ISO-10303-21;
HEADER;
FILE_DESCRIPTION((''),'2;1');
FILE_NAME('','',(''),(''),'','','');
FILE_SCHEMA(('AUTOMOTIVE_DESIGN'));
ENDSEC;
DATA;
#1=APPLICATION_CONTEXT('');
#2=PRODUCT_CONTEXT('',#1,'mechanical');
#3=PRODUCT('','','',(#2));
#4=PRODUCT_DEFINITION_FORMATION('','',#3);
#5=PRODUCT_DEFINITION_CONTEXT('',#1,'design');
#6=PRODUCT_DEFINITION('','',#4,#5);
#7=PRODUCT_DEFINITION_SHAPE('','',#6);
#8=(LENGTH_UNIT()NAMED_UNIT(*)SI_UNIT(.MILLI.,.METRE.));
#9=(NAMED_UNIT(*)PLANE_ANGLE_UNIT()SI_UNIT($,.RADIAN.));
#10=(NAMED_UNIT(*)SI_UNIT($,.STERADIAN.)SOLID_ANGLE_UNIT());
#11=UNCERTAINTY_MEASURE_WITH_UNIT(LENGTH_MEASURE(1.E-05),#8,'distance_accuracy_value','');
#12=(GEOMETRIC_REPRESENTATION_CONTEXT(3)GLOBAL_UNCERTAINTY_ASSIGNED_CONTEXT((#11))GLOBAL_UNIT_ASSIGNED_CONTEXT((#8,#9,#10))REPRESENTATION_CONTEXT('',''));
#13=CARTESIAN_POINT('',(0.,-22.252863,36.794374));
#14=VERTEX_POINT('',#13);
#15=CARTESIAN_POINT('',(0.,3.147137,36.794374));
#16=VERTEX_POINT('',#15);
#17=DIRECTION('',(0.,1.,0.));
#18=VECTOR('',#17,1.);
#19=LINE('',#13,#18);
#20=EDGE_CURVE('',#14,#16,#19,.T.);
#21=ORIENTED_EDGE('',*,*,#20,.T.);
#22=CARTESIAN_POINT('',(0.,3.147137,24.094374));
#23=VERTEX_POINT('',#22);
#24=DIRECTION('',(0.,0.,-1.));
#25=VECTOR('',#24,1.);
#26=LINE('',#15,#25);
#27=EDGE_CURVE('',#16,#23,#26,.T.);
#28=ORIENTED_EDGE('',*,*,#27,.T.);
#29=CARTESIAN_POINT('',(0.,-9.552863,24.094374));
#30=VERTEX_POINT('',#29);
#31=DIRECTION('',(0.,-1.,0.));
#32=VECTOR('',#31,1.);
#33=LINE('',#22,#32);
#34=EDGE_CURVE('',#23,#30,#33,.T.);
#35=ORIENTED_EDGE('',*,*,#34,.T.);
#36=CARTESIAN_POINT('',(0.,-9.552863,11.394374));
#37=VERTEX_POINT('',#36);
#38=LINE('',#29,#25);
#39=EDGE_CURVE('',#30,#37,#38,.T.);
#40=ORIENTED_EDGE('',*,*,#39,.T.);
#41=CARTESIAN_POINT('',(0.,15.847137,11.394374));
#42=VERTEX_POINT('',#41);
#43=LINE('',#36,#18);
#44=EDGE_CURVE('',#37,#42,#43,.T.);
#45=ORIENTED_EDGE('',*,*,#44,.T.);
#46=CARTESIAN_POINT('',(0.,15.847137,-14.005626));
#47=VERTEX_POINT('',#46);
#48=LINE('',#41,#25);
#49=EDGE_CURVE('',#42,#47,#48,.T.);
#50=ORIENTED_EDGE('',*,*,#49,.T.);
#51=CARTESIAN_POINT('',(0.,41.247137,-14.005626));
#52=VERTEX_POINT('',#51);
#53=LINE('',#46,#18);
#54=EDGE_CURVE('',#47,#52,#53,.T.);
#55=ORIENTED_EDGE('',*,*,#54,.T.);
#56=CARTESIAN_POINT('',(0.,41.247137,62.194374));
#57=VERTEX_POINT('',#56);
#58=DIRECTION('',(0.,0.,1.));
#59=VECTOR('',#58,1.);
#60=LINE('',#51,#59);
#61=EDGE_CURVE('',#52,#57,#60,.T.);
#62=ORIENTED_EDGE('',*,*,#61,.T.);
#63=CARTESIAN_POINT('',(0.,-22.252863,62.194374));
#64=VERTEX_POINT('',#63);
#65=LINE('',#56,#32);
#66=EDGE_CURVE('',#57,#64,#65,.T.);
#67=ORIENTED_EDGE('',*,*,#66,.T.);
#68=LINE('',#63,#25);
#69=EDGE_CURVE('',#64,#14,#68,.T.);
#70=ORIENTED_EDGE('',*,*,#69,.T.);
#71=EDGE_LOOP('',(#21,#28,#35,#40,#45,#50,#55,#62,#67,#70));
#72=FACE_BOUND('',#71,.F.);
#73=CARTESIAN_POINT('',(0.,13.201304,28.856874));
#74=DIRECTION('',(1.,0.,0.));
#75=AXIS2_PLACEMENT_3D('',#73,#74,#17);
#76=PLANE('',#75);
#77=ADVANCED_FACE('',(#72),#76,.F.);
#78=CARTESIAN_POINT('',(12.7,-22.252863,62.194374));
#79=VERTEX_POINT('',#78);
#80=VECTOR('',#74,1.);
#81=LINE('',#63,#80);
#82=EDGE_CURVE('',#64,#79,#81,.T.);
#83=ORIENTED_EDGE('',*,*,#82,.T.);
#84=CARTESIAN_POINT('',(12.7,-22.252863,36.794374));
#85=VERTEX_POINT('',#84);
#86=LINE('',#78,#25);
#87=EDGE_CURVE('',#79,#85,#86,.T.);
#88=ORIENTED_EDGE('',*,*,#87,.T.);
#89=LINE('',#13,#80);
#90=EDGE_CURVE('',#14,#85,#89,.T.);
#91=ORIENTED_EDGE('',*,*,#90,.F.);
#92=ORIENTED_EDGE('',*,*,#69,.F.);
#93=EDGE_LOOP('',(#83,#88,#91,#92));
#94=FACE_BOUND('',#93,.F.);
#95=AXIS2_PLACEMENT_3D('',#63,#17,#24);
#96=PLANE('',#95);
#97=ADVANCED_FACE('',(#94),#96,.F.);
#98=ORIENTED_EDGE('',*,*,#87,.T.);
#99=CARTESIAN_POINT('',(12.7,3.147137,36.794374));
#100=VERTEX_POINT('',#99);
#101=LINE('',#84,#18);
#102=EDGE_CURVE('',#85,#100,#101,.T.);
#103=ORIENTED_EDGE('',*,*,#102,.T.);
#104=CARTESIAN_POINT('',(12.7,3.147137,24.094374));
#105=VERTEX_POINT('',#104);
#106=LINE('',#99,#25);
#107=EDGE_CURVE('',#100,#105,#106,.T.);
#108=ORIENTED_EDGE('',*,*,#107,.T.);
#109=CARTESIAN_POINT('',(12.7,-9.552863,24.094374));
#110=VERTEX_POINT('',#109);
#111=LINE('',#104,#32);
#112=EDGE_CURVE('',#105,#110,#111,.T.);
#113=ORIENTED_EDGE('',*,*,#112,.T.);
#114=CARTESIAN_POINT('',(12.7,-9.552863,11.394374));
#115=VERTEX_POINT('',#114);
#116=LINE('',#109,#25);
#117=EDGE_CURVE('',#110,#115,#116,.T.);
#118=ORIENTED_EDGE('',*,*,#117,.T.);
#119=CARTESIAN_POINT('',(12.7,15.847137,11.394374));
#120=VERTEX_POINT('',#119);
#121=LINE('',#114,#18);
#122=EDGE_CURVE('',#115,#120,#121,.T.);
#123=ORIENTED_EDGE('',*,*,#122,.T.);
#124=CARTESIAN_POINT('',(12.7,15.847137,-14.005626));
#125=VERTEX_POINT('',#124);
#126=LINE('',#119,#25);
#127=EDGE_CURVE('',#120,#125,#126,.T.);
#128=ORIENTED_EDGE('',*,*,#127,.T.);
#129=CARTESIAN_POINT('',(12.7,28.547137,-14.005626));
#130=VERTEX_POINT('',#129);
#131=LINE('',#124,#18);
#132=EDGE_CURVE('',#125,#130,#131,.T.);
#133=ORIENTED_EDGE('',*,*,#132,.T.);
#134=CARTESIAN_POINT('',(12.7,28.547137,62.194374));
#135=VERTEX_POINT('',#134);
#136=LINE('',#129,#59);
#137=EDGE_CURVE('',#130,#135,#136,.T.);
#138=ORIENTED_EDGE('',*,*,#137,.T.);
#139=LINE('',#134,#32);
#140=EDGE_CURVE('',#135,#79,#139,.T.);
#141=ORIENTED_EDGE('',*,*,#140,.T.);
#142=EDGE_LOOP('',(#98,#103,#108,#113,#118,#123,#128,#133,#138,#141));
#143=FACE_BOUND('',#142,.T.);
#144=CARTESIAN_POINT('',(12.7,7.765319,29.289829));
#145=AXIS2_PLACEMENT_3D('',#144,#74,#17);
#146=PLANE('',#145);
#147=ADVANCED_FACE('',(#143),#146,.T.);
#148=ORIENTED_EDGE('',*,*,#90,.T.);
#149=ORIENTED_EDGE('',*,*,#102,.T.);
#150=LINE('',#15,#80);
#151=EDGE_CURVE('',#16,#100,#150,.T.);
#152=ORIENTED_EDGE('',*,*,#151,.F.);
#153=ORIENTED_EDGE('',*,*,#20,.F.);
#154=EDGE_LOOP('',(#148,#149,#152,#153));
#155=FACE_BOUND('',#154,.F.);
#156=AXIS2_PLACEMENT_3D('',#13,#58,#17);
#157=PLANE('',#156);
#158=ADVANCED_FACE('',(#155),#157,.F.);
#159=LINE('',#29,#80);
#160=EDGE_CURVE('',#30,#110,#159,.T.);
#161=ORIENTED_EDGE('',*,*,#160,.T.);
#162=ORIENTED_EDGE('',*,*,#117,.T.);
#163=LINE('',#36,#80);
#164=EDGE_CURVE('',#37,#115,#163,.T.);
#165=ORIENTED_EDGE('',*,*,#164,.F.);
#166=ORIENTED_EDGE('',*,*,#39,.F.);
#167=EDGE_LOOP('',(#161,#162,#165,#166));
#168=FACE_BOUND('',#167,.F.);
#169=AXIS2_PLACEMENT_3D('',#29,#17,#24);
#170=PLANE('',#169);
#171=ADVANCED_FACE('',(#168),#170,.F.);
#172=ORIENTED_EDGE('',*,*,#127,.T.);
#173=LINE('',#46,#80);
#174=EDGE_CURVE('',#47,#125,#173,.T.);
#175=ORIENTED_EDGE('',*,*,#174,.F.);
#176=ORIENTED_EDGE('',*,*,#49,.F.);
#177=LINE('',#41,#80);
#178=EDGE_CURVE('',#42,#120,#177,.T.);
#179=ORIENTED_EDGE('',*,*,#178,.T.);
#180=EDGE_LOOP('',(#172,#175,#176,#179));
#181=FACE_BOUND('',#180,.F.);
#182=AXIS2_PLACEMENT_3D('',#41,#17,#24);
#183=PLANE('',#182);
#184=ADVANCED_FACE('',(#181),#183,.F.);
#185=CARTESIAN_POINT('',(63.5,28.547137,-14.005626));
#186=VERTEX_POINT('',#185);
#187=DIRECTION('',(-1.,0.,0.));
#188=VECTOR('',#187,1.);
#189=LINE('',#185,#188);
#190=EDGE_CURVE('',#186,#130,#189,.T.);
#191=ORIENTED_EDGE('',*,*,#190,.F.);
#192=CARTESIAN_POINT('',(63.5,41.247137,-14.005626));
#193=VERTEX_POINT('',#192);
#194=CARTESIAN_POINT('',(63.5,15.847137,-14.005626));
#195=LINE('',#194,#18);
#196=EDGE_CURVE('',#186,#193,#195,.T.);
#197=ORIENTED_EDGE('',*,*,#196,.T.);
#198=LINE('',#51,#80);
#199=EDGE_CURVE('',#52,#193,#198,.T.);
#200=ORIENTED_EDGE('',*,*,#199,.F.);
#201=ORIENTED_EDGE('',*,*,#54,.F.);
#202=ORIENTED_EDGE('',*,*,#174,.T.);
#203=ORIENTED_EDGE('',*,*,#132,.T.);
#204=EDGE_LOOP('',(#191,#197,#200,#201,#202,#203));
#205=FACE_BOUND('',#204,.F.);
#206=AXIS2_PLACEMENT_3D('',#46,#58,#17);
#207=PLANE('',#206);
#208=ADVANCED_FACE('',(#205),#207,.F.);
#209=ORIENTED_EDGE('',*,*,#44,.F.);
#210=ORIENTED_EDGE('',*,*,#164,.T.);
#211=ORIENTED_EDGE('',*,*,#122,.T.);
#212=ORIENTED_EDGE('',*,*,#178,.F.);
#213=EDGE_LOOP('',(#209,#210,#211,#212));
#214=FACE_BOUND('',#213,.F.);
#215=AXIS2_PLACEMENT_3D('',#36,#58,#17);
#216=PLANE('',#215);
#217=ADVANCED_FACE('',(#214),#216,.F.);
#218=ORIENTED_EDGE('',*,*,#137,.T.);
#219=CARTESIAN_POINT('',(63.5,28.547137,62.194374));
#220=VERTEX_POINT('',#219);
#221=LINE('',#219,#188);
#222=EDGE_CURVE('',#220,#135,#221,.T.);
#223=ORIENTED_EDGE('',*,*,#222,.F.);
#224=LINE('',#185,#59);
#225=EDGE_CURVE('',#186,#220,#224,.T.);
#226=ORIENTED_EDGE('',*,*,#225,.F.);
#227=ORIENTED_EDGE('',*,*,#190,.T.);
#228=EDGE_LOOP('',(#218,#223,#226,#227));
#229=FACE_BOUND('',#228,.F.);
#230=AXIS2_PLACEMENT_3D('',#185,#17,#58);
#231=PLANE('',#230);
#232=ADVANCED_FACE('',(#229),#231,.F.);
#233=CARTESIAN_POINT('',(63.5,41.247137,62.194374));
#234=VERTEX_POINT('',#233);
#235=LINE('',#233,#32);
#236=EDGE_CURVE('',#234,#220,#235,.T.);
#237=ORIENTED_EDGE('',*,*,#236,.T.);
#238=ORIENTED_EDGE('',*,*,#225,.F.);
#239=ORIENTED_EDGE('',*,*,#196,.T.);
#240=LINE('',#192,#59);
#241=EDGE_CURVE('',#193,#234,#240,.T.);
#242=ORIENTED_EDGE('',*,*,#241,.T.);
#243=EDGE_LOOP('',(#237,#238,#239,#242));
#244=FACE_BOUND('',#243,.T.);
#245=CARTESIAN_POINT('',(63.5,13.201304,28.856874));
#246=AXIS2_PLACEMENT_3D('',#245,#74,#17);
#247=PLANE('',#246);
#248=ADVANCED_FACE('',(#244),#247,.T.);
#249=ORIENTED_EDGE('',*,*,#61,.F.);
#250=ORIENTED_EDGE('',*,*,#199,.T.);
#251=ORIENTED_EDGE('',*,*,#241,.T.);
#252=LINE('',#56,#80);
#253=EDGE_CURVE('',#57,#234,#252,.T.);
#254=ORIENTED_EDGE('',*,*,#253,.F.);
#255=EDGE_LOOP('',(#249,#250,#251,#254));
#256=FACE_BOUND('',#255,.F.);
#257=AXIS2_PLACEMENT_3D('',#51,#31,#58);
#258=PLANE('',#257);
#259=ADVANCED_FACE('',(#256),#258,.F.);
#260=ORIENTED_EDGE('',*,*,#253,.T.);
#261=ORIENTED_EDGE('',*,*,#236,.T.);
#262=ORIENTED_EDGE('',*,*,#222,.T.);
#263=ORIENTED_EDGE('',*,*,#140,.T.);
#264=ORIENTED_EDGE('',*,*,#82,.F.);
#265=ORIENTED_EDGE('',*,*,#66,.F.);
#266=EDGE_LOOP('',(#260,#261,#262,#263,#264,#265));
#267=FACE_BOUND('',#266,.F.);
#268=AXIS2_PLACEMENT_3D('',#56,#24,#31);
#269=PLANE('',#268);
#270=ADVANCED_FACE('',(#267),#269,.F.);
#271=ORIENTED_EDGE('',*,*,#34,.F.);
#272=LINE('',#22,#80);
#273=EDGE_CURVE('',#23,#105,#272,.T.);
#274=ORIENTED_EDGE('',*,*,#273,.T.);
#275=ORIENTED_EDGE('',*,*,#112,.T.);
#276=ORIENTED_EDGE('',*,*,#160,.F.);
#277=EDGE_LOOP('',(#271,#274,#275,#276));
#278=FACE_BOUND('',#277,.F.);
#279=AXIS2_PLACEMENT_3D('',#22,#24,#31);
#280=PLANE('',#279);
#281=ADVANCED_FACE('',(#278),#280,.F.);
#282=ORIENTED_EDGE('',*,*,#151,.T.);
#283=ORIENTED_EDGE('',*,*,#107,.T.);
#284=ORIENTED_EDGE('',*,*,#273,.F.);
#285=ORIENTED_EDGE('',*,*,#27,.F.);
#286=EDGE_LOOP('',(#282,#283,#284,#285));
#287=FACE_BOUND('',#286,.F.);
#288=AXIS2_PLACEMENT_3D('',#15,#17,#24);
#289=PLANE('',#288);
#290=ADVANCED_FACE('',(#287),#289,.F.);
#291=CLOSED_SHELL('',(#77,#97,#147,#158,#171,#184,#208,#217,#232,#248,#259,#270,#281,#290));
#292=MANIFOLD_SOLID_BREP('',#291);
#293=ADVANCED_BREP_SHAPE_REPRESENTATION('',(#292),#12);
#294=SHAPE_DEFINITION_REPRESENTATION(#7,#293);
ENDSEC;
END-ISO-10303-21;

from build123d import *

# Parameters (mm, degrees)
F1_DEPTH = 63.5
F3_DEPTH = 50.8


with BuildPart() as f1:
    # F0 (on Right) → F1 (new body)
    with BuildSketch(Plane.YZ):
        Polygon((41.247137, 62.194374), (-22.252863, 62.194374), (-22.252863, 36.794374), (3.147137, 36.794374), (3.147137, 24.094374), (-9.552863, 24.094374), (-9.552863, 11.394374), (15.847137, 11.394374), (15.847137, -14.005626), (41.247137, -14.005626), align=None)
    extrude(amount=F1_DEPTH)

    # F2 (on face) → F3 (cut)
    with BuildSketch(Plane.YZ.offset(63.5)):
        Polygon((15.847137, 11.394374), (15.847137, -14.005626), (28.547137, -14.005626), (28.547137, 62.194374), (-22.252863, 62.194374), (-22.252863, 36.794374), (3.147137, 36.794374), (3.147137, 24.094374), (-9.552863, 24.094374), (-9.552863, 11.394374), align=None)
    extrude(amount=-F3_DEPTH, mode=Mode.SUBTRACT)


solid = f1.part
